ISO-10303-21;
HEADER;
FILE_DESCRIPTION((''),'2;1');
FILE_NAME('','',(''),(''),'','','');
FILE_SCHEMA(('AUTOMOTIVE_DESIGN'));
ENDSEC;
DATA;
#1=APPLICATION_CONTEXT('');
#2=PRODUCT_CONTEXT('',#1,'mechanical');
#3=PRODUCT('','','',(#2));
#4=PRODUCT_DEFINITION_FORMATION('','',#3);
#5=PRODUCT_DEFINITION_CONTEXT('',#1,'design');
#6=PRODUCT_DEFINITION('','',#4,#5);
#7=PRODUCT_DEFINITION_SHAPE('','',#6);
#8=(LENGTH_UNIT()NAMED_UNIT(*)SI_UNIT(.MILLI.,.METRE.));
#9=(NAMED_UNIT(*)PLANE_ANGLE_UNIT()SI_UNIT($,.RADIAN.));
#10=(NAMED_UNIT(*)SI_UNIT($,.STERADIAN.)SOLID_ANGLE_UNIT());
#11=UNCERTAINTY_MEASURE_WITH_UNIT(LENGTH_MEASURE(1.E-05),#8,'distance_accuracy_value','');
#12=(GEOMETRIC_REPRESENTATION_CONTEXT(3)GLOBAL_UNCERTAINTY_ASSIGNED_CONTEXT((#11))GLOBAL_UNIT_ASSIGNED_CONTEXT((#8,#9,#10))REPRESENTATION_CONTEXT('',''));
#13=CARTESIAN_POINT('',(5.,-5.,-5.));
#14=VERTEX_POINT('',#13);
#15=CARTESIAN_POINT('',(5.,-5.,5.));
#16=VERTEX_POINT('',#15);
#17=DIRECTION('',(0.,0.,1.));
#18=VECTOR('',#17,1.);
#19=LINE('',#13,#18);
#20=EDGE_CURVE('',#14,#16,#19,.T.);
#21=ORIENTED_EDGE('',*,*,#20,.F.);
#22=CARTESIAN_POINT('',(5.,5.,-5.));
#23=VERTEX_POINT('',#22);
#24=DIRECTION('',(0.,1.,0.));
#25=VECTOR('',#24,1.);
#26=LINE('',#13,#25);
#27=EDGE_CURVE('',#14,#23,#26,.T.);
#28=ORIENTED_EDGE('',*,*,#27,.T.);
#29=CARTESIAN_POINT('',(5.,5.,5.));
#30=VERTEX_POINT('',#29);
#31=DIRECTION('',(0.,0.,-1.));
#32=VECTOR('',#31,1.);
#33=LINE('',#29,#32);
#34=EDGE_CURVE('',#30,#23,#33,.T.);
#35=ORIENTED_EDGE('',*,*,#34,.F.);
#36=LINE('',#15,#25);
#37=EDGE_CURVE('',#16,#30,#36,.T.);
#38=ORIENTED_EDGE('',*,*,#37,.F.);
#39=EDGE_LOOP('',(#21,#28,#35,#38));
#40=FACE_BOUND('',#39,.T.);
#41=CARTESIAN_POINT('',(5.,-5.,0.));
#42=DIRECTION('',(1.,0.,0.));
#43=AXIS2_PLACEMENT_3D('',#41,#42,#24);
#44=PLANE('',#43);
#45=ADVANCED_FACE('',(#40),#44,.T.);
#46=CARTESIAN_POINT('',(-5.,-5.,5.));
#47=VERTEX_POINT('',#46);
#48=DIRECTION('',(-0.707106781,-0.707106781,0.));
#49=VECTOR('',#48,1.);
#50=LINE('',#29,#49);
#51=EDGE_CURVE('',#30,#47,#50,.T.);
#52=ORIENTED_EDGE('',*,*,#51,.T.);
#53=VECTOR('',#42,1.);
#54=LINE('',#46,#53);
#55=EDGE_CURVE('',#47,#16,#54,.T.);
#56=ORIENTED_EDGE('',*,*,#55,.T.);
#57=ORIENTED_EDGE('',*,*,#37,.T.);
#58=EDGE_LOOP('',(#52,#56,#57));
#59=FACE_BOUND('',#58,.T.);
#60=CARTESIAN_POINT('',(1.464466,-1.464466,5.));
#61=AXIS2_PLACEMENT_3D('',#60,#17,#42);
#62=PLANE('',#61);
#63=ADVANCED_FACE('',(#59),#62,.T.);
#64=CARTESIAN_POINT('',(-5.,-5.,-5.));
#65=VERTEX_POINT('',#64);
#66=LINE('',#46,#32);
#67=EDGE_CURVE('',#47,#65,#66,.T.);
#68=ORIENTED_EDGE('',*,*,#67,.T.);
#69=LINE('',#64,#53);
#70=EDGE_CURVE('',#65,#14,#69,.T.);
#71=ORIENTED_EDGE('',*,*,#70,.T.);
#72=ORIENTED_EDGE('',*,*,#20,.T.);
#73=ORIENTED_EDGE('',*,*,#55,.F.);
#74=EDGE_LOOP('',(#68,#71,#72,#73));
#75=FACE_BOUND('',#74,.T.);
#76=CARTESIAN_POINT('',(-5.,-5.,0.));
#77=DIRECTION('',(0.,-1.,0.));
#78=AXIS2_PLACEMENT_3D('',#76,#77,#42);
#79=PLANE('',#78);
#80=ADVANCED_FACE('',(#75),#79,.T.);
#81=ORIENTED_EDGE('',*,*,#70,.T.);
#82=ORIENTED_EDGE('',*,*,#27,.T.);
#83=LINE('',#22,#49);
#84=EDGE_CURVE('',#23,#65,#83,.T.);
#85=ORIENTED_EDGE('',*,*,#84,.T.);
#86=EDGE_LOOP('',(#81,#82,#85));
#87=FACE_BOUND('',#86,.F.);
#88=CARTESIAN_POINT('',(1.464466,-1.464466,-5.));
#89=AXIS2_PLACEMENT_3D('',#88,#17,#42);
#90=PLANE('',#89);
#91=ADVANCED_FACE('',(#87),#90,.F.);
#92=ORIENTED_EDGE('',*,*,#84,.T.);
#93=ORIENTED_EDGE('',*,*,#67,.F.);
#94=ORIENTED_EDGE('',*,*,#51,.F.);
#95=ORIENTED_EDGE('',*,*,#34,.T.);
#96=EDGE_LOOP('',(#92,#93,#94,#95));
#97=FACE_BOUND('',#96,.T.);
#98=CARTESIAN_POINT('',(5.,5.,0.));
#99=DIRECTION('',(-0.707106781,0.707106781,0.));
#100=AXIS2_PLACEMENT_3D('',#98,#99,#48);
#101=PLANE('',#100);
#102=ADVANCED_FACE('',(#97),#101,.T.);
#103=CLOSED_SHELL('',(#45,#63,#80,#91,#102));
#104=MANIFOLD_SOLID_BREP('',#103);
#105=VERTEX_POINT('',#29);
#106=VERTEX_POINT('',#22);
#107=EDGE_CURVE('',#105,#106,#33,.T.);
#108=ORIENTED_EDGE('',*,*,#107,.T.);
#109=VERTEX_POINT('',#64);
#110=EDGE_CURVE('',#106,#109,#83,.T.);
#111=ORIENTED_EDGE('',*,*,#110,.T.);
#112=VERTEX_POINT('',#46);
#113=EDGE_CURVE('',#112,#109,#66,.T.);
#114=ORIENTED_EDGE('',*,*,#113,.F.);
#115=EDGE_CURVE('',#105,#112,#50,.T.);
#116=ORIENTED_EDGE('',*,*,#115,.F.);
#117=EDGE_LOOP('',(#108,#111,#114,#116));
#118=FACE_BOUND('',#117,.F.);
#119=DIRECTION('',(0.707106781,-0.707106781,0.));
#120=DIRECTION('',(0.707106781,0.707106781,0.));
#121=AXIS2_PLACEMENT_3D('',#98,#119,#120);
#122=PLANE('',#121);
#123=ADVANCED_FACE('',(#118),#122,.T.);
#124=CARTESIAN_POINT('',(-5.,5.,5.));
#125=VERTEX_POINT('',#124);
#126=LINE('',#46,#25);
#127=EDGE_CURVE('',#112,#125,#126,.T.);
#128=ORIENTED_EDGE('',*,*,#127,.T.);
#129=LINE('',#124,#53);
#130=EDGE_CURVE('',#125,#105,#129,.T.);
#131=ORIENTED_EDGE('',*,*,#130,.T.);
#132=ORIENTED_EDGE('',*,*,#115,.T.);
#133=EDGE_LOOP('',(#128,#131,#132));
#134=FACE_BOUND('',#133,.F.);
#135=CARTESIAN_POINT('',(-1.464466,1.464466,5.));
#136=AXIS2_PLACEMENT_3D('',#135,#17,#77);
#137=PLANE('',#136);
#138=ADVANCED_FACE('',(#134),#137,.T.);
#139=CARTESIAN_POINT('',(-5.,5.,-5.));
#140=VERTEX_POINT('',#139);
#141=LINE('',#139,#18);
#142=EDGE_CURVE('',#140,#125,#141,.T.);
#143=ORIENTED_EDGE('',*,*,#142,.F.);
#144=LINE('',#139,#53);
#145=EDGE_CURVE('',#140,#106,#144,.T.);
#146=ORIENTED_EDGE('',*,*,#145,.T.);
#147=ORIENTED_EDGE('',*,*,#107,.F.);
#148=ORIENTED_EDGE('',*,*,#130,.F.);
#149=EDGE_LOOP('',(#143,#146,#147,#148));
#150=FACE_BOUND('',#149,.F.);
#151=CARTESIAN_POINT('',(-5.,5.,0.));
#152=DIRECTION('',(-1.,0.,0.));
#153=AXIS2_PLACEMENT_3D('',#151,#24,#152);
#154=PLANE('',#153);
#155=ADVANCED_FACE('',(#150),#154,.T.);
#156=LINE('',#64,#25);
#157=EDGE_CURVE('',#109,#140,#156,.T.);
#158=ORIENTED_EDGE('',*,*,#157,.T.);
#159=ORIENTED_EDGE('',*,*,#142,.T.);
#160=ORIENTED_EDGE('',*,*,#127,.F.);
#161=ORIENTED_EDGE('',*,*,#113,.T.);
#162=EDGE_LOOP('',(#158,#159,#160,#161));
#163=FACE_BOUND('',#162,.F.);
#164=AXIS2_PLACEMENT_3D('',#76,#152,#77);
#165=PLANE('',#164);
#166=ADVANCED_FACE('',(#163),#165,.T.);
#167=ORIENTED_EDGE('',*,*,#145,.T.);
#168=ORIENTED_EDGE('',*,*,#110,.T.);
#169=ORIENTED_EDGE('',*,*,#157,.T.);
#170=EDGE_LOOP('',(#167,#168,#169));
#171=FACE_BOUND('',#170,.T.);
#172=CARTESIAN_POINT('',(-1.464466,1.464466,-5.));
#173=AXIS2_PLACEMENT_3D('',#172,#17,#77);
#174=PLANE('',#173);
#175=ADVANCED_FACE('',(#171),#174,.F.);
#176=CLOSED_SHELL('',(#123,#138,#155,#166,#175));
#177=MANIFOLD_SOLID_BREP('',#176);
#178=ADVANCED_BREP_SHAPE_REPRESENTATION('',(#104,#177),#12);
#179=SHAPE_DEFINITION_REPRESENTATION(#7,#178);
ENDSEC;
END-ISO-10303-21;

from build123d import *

# Parameters (mm, degrees)
EXTRUDE_1_DEPTH = 5


with BuildPart() as part:
    # 草图1 → 凸台-拉伸1 (new body, symmetric)
    with BuildSketch(Plane.XY):
        Polygon((-5, -5), (5, -5), (5, 5), align=None)
    extrude(amount=EXTRUDE_1_DEPTH, both=True)


with BuildPart() as body_2:
    # 镜向2: mirrored copy
    add(part.part.mirror(Plane(origin=(5, 5, 5), x_dir=(0, 0, 1), z_dir=(0.707106781, -0.707106781, 0))))


solid = Compound([part.part, body_2.part])
